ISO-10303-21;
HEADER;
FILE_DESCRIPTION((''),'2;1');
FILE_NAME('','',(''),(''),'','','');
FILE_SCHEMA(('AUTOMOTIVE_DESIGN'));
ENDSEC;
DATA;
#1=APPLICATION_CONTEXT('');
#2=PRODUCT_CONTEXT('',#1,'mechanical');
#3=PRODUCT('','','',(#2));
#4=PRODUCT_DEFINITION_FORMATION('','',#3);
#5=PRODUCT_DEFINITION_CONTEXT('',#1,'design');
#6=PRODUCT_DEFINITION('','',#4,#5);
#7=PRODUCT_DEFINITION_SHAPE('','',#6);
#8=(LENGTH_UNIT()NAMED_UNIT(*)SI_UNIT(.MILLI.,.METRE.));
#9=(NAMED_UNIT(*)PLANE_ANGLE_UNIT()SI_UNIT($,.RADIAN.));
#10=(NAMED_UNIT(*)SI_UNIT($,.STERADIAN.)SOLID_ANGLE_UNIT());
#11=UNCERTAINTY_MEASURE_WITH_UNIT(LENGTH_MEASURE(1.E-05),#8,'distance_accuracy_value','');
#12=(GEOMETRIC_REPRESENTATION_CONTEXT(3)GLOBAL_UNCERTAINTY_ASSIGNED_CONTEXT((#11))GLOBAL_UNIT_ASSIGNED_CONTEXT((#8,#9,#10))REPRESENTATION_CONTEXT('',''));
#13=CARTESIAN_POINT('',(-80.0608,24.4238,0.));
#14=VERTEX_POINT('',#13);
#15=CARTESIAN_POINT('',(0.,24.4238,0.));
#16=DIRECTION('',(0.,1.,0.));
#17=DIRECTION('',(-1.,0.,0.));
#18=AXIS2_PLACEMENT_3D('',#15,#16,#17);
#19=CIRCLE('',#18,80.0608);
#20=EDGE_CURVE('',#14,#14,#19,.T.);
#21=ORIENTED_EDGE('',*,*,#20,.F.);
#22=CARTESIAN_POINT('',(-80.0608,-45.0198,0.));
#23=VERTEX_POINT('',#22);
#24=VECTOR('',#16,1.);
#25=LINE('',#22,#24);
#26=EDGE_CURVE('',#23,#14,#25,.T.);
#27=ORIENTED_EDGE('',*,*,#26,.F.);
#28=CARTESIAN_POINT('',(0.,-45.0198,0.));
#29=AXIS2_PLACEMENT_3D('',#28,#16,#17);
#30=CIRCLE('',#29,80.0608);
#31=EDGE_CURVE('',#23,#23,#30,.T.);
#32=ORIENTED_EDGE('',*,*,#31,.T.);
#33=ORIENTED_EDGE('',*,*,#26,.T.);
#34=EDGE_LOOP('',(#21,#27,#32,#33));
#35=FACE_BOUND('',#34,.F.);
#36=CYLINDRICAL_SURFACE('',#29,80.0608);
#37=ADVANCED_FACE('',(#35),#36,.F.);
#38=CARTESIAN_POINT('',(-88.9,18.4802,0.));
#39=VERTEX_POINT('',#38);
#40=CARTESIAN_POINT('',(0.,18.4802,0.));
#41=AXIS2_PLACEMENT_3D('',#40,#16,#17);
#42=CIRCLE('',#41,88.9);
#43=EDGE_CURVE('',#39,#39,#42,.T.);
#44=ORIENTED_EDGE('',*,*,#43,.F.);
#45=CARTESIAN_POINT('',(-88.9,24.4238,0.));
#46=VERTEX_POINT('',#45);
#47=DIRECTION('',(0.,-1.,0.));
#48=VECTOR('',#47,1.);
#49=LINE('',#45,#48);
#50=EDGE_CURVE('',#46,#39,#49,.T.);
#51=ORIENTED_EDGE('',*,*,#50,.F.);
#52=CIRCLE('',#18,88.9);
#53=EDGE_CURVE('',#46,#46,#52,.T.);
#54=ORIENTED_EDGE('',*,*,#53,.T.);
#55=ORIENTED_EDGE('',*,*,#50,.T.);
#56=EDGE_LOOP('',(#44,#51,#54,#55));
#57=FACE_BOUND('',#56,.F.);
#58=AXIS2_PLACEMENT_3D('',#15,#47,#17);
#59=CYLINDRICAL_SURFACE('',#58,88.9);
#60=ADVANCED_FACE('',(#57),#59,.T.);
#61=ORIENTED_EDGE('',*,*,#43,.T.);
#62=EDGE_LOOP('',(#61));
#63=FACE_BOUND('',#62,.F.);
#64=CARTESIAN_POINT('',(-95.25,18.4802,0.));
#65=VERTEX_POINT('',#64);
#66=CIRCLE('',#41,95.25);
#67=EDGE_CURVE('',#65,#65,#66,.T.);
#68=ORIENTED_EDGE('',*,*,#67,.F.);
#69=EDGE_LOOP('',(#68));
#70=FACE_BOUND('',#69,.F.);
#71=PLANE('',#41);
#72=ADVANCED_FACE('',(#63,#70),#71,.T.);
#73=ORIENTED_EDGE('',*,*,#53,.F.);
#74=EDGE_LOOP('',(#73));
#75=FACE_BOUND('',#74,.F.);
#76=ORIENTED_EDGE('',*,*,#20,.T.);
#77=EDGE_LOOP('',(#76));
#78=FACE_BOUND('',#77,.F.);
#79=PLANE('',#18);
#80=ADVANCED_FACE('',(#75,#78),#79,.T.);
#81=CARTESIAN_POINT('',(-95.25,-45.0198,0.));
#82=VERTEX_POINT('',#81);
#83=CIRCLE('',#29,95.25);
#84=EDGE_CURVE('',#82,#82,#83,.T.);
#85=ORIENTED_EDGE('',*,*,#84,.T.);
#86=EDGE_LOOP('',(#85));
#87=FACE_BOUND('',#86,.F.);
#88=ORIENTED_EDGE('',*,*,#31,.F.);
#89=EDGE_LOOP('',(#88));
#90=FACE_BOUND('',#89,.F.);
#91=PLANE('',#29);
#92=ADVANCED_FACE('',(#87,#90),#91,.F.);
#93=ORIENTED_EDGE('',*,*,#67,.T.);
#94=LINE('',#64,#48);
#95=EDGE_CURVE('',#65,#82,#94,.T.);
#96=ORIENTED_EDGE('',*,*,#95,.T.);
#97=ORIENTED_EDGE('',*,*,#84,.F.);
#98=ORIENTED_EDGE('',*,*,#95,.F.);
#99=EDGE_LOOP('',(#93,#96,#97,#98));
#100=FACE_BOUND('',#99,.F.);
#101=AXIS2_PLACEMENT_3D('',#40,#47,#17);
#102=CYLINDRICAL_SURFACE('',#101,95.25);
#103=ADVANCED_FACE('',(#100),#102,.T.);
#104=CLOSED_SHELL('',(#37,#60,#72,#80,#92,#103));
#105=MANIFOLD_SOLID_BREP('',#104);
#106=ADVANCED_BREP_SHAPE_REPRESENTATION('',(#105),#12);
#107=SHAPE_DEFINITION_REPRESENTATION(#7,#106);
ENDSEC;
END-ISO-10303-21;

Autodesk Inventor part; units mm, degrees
ref_plane "YZ Plane" through (0, 0, 0) normal (1, 0, 0) x (0, 1, 0)
ref_plane "XZ Plane" through (0, 0, 0) normal (0, 1, 0) x (-1, 0, 0)
ref_plane "XY Plane" through (0, 0, 0) normal (0, 0, 1) x (1, 0, 0)
sketch "Sketch1" plane through (0, 0, 0) normal (0, 0, 1) x (1, 0, 0)
  line L0 (-80.0608, 24.4238) -> (-88.9, 24.4238)
  line L1 (-88.9, 24.4238) -> (-88.9, 18.4802)
  line L2 (-88.9, 18.4802) -> (-95.25, 18.4802)
  line L3 (-95.25, 18.4802) -> (-95.25, -45.0198)
  line L4 (-95.25, -45.0198) -> (-80.0608, -45.0198)
  line L5 (-80.0608, -45.0198) -> (-80.0608, 24.4238)
  line L6 (0, -58.9086) -> (0, 38.3125) projected
  point P0 (0, 0)
  dimension "d0" = 8.8392
  dimension "d1" = 6.35
  dimension "d2" = 5.9436
  dimension "d3" = 63.5
  dimension "d4" = 80.0608
  dimension "d6" = 95.25
revolve "Revolution1" add sketch "Sketch1" angle 360 about axis through (0, -10, 0) along (0, 1, 0)
properties part number "Retainer"
